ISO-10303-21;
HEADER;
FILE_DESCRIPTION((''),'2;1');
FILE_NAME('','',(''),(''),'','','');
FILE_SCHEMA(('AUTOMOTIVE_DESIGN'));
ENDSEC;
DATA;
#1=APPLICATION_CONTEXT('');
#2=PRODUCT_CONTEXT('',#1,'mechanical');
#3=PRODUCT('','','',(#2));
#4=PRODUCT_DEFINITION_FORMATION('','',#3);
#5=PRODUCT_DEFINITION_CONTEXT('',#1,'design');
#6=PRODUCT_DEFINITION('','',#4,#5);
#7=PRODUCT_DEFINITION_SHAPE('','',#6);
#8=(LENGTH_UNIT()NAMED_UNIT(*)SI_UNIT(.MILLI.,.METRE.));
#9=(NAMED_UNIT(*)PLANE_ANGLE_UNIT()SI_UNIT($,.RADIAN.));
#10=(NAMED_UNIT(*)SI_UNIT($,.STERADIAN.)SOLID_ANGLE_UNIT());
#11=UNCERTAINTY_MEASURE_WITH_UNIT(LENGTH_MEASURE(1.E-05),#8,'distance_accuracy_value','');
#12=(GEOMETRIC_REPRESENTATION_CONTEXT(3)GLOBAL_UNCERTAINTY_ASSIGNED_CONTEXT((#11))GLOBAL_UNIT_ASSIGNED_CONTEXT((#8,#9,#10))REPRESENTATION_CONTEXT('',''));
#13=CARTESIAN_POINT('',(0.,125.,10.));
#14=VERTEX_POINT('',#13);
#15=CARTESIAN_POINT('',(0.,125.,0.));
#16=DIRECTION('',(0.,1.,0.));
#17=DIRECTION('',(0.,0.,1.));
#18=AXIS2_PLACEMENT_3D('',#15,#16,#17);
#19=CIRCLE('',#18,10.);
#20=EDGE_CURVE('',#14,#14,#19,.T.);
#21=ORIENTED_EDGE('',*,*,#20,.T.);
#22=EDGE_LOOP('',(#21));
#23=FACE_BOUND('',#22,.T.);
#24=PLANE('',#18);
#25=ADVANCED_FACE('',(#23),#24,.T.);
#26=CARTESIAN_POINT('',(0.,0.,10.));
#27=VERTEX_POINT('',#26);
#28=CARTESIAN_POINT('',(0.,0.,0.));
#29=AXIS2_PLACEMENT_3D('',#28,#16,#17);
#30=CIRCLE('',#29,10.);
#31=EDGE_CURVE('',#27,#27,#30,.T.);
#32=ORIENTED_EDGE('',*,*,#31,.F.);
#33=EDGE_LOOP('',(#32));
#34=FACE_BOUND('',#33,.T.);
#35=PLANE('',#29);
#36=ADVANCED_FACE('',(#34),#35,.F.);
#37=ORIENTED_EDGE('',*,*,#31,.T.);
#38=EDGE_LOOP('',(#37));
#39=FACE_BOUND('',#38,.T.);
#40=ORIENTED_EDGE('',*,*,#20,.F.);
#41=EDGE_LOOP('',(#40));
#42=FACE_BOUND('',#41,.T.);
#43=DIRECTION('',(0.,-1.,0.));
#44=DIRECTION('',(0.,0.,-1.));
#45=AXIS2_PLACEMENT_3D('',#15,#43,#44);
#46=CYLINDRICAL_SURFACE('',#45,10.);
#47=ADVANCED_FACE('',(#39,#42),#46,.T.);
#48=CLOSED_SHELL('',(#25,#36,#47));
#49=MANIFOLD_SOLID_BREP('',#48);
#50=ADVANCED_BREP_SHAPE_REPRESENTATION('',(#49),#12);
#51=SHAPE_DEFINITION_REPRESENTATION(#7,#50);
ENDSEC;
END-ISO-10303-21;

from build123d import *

# Parameters (mm, degrees)
SKETCH1_R           = 10
BOSS_EXTRUDE1_DEPTH = 125


with BuildPart() as part:
    # Sketch1 → Boss-Extrude1 (new body)
    with BuildSketch(Plane(origin=(0, 0, 0), x_dir=(1, 0, 0), z_dir=(0, 1, 0))):
        Circle(SKETCH1_R)
    extrude(amount=BOSS_EXTRUDE1_DEPTH)


solid = part.part
